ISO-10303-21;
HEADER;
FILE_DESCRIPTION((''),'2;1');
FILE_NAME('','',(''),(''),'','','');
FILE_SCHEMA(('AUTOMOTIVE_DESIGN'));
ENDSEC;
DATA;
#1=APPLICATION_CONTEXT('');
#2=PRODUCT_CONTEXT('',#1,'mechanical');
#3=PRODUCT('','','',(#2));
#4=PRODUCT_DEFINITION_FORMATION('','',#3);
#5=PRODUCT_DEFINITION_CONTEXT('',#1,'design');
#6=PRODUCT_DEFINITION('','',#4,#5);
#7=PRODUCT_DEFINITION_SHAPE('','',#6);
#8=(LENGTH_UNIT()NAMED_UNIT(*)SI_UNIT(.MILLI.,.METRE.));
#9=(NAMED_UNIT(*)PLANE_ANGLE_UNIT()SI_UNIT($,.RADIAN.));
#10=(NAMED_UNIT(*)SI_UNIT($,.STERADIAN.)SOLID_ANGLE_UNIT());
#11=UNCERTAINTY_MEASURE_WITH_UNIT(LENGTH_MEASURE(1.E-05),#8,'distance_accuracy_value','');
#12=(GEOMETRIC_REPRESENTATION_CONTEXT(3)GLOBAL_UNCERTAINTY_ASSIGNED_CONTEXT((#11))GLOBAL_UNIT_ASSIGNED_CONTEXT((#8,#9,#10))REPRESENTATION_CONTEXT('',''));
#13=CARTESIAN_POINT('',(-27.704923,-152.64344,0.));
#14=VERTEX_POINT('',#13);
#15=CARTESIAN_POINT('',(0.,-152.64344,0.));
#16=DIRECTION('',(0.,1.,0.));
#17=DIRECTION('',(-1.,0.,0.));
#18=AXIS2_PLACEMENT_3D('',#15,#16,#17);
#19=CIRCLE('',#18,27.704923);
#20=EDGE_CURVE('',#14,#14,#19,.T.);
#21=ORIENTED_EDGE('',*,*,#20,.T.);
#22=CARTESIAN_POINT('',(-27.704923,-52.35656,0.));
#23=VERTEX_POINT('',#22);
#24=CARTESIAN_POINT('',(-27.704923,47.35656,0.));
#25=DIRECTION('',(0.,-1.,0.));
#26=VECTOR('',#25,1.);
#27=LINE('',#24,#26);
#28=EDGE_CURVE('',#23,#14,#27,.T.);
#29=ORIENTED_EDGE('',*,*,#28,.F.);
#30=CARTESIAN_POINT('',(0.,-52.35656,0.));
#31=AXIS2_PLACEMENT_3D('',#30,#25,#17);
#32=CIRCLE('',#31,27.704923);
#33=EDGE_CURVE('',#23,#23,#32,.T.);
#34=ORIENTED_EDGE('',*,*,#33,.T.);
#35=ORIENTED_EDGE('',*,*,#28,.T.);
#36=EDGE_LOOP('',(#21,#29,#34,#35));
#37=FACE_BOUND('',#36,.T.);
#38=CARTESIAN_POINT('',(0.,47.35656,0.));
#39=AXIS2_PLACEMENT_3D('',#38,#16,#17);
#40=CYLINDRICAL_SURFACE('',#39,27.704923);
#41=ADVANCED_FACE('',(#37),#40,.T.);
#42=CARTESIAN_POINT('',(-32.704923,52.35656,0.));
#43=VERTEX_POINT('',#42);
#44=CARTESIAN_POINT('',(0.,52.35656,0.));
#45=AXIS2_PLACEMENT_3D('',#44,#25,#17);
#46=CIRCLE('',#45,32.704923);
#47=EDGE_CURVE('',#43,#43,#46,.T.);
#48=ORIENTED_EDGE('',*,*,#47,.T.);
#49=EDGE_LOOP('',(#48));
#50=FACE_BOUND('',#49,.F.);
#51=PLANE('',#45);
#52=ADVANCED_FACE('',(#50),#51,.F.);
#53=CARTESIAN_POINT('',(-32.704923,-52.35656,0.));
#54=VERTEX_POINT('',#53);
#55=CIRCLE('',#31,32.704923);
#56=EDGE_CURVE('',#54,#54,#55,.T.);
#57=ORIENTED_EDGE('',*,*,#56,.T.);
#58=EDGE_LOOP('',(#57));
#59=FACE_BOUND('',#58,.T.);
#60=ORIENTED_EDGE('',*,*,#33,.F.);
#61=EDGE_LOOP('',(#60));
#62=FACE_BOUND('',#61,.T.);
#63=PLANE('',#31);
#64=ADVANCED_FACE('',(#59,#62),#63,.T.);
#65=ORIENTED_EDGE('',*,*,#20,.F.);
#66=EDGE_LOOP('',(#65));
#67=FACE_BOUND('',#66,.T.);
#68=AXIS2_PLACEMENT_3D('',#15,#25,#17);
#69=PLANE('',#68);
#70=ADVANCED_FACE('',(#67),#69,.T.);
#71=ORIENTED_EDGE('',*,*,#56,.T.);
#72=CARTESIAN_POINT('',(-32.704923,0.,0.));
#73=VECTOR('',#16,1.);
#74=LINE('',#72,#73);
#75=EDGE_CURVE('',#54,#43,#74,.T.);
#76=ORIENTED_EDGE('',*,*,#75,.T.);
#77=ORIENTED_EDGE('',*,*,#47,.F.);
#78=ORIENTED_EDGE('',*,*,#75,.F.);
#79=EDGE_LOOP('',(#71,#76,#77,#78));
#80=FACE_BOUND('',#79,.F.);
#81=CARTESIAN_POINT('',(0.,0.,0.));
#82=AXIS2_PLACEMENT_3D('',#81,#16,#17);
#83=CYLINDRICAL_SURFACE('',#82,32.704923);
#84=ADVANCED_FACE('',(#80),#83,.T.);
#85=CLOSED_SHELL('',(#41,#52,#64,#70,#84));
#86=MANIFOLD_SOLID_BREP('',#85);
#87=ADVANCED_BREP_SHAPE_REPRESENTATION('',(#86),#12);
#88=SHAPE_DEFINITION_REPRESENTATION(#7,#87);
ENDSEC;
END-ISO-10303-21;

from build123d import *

# Parameters (mm, degrees)
F0_W     = 32.7049233019
F0_H     = 104.7131195664
F2_T     = -5
F3_DEPTH = 200


with BuildPart() as f1:
    # F0 (on Top) → F1 (revolve)
    with BuildSketch(Plane.XY):
        with Locations((-16.352461651, 0)):
            Rectangle(F0_W, F0_H)
    revolve(axis=Axis((0, 0, 0), (0, -1, 0)))

    # F2
    f2_openings = [f1.faces().sort_by_distance(p)[0] for p in [
        (0, -52.35656, 0),
    ]]
    offset(amount=F2_T, openings=f2_openings)

    # F3 (add): a face of the model
    f3_faces = [f1.faces().sort_by_distance(p)[0] for p in [
        (0, 47.3565597832, 0),
    ]]
    extrude(f3_faces, amount=F3_DEPTH)


solid = f1.part
